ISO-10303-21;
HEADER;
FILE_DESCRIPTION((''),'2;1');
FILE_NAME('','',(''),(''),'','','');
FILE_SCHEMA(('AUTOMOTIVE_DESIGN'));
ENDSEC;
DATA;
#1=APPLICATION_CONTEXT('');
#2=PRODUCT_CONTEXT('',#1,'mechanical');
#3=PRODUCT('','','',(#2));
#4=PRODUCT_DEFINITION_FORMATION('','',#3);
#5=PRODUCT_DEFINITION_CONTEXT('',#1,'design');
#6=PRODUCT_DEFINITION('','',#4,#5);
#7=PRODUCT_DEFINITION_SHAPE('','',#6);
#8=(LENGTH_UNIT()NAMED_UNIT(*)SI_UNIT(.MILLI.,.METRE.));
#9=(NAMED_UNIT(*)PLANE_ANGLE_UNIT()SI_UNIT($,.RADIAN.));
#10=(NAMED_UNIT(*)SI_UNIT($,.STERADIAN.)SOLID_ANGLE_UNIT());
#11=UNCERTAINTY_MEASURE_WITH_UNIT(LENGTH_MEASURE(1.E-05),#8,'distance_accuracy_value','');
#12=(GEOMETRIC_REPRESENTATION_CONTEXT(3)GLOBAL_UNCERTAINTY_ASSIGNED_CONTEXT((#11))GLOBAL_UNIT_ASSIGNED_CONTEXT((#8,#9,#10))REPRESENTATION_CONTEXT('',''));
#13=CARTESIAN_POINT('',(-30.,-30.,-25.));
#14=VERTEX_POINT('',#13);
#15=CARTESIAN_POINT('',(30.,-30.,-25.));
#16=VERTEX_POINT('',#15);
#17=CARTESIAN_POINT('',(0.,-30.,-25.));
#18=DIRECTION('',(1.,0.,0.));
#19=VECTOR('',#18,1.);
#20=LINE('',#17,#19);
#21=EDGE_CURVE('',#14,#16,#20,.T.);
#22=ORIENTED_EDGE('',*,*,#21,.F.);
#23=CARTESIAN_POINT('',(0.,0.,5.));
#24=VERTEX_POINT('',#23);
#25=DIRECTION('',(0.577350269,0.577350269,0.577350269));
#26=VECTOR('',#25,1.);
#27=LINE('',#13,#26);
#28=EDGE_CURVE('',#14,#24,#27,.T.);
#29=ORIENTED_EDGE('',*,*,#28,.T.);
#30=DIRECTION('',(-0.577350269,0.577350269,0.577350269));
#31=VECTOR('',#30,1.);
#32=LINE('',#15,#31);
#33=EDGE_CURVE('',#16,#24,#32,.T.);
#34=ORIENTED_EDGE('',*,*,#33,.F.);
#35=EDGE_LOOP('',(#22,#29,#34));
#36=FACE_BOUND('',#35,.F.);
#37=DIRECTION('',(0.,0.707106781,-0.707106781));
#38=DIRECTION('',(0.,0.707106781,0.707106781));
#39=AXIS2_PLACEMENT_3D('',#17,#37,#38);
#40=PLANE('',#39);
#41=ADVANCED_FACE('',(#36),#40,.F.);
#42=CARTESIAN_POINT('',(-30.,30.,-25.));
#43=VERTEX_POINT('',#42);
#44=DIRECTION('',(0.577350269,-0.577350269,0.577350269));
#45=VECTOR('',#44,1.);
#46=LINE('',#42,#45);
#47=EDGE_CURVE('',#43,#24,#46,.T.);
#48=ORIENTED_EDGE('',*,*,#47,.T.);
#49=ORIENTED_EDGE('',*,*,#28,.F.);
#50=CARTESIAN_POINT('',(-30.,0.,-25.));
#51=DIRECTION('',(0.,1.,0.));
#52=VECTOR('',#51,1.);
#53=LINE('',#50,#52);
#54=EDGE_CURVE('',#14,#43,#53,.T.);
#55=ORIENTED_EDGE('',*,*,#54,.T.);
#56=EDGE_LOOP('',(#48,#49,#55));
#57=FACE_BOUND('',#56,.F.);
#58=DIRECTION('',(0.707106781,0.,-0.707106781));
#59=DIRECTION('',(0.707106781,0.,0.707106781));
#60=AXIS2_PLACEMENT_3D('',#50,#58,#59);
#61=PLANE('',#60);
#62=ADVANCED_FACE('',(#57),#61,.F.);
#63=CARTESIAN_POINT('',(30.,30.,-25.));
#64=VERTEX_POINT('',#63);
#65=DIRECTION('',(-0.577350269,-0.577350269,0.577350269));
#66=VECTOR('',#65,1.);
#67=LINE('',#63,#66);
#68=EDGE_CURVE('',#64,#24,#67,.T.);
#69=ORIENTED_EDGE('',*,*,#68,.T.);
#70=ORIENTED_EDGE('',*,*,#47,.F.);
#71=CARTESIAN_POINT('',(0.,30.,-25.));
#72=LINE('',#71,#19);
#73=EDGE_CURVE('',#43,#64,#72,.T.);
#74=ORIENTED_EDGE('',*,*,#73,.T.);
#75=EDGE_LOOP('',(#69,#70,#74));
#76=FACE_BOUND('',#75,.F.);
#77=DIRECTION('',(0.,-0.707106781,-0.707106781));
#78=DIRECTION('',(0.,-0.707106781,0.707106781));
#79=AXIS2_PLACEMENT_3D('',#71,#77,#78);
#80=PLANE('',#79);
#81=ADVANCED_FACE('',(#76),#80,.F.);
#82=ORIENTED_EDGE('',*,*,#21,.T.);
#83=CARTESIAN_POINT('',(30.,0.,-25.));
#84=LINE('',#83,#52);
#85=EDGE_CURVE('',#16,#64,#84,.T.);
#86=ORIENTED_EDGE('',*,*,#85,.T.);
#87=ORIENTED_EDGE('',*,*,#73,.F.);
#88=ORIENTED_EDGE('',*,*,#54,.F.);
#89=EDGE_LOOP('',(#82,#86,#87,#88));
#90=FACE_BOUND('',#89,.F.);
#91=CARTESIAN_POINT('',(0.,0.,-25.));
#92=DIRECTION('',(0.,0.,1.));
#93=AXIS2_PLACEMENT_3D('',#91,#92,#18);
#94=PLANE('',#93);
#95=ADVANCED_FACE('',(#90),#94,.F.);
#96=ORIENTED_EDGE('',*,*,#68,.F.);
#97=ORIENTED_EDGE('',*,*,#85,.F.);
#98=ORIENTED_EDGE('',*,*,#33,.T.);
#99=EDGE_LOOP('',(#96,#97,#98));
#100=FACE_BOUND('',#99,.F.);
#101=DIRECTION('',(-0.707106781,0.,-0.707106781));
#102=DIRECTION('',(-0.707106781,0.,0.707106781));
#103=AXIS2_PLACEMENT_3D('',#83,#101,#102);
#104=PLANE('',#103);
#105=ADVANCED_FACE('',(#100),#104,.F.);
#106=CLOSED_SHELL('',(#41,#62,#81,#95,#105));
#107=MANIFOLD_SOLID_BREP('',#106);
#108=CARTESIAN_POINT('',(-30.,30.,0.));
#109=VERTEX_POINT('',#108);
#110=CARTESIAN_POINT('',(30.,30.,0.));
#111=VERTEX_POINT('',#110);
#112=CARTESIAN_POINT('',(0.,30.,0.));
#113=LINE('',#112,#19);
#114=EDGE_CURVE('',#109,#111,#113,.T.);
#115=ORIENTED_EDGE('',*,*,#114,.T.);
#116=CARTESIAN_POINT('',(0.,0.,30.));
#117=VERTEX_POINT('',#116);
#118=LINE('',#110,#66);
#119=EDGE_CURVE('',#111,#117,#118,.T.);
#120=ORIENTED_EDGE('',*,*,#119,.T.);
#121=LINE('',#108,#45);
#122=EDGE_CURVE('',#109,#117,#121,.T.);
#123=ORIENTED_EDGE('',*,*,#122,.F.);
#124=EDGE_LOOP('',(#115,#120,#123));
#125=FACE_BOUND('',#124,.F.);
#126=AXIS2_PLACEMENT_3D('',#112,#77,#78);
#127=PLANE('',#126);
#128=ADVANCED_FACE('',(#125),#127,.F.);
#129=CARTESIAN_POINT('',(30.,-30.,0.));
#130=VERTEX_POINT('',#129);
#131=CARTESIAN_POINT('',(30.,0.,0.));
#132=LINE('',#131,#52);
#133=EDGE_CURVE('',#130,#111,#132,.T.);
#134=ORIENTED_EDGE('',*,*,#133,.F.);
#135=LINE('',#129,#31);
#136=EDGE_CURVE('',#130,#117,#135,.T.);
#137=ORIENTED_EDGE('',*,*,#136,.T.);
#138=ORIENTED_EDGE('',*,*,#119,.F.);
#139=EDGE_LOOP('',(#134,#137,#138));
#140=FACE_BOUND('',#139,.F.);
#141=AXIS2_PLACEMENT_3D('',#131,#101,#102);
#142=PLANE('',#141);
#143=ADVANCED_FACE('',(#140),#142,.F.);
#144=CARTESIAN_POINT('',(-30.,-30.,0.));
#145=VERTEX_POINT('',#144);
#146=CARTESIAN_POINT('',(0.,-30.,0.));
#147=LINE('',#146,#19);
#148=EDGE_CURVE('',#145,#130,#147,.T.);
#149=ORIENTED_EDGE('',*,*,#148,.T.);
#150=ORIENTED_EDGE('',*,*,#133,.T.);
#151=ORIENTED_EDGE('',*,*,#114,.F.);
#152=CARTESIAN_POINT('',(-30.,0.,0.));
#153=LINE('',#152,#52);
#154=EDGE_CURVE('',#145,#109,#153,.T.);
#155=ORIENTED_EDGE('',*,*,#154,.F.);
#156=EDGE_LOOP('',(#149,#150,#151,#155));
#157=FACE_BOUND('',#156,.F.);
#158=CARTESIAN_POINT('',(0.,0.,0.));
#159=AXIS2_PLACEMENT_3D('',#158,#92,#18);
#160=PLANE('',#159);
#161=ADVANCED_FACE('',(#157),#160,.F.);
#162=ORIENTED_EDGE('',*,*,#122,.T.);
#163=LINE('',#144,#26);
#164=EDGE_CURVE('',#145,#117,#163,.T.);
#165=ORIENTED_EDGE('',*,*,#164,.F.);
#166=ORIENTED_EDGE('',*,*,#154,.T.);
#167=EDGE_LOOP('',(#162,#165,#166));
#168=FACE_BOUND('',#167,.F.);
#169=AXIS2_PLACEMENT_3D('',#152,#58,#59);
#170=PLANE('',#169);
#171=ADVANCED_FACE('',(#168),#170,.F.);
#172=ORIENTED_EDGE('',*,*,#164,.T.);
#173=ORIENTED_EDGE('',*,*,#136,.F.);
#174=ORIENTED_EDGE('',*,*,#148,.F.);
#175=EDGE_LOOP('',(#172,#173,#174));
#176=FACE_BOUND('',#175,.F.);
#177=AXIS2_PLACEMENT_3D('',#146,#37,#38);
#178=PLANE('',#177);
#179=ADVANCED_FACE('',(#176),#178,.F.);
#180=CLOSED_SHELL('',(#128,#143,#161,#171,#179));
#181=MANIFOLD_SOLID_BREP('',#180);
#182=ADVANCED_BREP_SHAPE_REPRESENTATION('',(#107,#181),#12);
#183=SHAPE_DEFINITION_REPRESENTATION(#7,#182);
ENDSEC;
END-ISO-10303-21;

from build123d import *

# Parameters (mm, degrees)
F0_W     = 60
F0_H     = 60
F1_DEPTH = 30
F1_TAPER = 45
F3_W     = 60
F3_H     = 60
F4_DEPTH = 30
F4_TAPER = 45


with BuildPart() as f1:
    # F0 (on Top) → F1 (new body)
    with BuildSketch(Plane.XY):
        Rectangle(F0_W, F0_H)
    extrude(amount=F1_DEPTH, taper=F1_TAPER)


with BuildPart() as f4:
    # F3 (on offset) → F4 (new body)
    with BuildSketch(Plane.XY.offset(-25)):
        Rectangle(F3_W, F3_H)
    extrude(amount=F4_DEPTH, taper=F4_TAPER)


solid = Compound([f1.part, f4.part])
